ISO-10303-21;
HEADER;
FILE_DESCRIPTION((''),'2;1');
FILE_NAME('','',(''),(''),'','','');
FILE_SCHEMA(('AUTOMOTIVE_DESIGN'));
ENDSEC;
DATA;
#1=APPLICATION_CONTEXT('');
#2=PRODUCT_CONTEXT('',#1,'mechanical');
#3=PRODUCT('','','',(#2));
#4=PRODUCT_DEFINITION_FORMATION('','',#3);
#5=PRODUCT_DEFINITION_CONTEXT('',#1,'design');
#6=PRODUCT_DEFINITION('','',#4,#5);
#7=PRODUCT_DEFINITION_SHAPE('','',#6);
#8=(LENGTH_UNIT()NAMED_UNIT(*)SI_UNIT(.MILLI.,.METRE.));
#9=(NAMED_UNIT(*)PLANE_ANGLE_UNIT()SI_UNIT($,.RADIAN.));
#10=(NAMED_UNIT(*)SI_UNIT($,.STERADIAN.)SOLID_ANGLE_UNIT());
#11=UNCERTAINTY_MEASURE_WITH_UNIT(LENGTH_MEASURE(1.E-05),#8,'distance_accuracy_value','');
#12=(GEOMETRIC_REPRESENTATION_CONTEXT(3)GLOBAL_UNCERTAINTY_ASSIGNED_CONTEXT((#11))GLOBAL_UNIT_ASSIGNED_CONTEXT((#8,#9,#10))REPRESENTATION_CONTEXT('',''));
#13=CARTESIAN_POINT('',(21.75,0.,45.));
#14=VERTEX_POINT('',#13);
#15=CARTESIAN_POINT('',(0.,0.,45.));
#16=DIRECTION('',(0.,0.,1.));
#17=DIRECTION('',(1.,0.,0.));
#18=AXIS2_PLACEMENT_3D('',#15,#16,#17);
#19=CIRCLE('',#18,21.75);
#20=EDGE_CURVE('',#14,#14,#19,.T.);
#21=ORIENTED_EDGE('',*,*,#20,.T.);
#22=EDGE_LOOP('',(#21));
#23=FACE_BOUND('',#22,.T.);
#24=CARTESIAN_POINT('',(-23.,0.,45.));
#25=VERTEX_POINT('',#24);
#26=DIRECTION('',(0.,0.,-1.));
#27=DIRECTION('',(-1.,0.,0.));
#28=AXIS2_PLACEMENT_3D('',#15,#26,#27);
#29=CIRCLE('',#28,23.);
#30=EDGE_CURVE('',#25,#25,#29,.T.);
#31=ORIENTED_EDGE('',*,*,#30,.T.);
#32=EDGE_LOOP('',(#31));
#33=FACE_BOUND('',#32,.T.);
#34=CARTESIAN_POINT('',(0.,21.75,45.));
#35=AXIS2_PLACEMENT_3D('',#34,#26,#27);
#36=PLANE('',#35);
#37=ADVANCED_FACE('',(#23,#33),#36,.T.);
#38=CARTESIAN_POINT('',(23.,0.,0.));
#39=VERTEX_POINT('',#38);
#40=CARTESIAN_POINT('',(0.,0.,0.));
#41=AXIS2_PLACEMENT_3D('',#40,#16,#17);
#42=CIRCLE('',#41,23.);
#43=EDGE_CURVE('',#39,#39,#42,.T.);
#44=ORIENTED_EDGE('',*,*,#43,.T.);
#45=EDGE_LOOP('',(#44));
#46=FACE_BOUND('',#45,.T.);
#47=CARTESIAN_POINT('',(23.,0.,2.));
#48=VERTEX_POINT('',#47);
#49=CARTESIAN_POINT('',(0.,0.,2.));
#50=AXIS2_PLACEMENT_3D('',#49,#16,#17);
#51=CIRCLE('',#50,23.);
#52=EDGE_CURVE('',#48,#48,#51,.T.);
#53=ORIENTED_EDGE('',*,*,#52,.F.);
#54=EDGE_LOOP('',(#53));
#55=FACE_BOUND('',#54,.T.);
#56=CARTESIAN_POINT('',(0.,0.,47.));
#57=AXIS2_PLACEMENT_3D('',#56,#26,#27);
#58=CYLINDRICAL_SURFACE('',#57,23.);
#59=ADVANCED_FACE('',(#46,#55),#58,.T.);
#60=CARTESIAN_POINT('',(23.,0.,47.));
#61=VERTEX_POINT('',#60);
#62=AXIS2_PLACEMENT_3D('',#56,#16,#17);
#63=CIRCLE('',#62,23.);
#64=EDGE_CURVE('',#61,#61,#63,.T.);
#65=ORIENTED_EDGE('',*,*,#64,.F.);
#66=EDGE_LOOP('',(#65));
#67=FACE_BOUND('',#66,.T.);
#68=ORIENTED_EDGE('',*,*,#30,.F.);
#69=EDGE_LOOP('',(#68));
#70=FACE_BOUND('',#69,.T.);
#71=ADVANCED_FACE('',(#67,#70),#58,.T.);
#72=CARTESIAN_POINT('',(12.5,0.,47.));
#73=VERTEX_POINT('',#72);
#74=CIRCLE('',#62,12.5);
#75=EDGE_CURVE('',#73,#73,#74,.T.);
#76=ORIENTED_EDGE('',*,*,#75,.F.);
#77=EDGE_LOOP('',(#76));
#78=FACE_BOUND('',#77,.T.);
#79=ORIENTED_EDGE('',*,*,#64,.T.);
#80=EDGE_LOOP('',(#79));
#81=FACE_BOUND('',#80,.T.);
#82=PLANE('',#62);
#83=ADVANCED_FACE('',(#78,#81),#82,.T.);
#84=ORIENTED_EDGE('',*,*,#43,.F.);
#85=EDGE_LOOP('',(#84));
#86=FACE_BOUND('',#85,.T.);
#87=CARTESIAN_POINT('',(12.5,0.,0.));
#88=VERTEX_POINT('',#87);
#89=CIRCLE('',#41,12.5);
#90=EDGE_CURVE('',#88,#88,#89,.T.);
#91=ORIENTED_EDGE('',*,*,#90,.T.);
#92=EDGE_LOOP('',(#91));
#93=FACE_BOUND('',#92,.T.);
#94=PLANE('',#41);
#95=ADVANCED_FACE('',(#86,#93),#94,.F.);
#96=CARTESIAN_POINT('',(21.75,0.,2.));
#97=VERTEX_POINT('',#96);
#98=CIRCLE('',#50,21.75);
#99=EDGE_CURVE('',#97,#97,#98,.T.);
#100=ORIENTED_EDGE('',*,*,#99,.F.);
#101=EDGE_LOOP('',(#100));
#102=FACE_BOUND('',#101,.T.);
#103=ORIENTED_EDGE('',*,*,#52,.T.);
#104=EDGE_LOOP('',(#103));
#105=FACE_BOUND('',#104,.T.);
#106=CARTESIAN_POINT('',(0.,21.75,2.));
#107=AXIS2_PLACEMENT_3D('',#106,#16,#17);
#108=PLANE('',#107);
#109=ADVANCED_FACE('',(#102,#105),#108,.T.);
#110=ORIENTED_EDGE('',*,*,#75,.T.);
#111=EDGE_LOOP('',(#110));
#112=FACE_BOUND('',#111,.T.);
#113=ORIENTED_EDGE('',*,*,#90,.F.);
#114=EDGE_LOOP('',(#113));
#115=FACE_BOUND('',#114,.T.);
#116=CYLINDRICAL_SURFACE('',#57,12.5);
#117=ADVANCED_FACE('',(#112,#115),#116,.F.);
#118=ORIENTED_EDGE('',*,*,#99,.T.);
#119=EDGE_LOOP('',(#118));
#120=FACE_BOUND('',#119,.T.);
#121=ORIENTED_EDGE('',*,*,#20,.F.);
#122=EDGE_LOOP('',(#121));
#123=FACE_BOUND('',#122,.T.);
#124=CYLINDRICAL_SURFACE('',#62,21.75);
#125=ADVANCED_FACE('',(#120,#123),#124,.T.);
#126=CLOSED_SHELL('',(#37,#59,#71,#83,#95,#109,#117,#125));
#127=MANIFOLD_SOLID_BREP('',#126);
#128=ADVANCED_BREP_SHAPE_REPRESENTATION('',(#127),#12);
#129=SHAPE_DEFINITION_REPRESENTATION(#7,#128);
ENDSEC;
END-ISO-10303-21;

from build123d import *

# Parameters (mm, degrees)
SKETCH_1_R      = 23
SKETCH_1_R_2    = 12.5
EXTRUDE_1_DEPTH = 47
SKETCH_2_W      = 43
SKETCH_2_H      = 2.5


with BuildPart() as part:
    # Эскиз1 → Бобышка-Вытянуть1 (new body)
    with BuildSketch(Plane.XY):
        Circle(SKETCH_1_R)
        Circle(SKETCH_1_R_2, mode=Mode.SUBTRACT)
    extrude(amount=EXTRUDE_1_DEPTH)

    # Эскиз2 → Вырез-Повернуть1 (revolve, cut)
    with BuildSketch(Plane(origin=(0, 0, 0), x_dir=(0, 0, -1), z_dir=(1, 0, 0))):
        with Locations((-23.5, 23)):
            Rectangle(SKETCH_2_W, SKETCH_2_H)
    revolve(axis=Axis((0, 0, 47), (0, 0, -1)), mode=Mode.SUBTRACT)


solid = part.part
